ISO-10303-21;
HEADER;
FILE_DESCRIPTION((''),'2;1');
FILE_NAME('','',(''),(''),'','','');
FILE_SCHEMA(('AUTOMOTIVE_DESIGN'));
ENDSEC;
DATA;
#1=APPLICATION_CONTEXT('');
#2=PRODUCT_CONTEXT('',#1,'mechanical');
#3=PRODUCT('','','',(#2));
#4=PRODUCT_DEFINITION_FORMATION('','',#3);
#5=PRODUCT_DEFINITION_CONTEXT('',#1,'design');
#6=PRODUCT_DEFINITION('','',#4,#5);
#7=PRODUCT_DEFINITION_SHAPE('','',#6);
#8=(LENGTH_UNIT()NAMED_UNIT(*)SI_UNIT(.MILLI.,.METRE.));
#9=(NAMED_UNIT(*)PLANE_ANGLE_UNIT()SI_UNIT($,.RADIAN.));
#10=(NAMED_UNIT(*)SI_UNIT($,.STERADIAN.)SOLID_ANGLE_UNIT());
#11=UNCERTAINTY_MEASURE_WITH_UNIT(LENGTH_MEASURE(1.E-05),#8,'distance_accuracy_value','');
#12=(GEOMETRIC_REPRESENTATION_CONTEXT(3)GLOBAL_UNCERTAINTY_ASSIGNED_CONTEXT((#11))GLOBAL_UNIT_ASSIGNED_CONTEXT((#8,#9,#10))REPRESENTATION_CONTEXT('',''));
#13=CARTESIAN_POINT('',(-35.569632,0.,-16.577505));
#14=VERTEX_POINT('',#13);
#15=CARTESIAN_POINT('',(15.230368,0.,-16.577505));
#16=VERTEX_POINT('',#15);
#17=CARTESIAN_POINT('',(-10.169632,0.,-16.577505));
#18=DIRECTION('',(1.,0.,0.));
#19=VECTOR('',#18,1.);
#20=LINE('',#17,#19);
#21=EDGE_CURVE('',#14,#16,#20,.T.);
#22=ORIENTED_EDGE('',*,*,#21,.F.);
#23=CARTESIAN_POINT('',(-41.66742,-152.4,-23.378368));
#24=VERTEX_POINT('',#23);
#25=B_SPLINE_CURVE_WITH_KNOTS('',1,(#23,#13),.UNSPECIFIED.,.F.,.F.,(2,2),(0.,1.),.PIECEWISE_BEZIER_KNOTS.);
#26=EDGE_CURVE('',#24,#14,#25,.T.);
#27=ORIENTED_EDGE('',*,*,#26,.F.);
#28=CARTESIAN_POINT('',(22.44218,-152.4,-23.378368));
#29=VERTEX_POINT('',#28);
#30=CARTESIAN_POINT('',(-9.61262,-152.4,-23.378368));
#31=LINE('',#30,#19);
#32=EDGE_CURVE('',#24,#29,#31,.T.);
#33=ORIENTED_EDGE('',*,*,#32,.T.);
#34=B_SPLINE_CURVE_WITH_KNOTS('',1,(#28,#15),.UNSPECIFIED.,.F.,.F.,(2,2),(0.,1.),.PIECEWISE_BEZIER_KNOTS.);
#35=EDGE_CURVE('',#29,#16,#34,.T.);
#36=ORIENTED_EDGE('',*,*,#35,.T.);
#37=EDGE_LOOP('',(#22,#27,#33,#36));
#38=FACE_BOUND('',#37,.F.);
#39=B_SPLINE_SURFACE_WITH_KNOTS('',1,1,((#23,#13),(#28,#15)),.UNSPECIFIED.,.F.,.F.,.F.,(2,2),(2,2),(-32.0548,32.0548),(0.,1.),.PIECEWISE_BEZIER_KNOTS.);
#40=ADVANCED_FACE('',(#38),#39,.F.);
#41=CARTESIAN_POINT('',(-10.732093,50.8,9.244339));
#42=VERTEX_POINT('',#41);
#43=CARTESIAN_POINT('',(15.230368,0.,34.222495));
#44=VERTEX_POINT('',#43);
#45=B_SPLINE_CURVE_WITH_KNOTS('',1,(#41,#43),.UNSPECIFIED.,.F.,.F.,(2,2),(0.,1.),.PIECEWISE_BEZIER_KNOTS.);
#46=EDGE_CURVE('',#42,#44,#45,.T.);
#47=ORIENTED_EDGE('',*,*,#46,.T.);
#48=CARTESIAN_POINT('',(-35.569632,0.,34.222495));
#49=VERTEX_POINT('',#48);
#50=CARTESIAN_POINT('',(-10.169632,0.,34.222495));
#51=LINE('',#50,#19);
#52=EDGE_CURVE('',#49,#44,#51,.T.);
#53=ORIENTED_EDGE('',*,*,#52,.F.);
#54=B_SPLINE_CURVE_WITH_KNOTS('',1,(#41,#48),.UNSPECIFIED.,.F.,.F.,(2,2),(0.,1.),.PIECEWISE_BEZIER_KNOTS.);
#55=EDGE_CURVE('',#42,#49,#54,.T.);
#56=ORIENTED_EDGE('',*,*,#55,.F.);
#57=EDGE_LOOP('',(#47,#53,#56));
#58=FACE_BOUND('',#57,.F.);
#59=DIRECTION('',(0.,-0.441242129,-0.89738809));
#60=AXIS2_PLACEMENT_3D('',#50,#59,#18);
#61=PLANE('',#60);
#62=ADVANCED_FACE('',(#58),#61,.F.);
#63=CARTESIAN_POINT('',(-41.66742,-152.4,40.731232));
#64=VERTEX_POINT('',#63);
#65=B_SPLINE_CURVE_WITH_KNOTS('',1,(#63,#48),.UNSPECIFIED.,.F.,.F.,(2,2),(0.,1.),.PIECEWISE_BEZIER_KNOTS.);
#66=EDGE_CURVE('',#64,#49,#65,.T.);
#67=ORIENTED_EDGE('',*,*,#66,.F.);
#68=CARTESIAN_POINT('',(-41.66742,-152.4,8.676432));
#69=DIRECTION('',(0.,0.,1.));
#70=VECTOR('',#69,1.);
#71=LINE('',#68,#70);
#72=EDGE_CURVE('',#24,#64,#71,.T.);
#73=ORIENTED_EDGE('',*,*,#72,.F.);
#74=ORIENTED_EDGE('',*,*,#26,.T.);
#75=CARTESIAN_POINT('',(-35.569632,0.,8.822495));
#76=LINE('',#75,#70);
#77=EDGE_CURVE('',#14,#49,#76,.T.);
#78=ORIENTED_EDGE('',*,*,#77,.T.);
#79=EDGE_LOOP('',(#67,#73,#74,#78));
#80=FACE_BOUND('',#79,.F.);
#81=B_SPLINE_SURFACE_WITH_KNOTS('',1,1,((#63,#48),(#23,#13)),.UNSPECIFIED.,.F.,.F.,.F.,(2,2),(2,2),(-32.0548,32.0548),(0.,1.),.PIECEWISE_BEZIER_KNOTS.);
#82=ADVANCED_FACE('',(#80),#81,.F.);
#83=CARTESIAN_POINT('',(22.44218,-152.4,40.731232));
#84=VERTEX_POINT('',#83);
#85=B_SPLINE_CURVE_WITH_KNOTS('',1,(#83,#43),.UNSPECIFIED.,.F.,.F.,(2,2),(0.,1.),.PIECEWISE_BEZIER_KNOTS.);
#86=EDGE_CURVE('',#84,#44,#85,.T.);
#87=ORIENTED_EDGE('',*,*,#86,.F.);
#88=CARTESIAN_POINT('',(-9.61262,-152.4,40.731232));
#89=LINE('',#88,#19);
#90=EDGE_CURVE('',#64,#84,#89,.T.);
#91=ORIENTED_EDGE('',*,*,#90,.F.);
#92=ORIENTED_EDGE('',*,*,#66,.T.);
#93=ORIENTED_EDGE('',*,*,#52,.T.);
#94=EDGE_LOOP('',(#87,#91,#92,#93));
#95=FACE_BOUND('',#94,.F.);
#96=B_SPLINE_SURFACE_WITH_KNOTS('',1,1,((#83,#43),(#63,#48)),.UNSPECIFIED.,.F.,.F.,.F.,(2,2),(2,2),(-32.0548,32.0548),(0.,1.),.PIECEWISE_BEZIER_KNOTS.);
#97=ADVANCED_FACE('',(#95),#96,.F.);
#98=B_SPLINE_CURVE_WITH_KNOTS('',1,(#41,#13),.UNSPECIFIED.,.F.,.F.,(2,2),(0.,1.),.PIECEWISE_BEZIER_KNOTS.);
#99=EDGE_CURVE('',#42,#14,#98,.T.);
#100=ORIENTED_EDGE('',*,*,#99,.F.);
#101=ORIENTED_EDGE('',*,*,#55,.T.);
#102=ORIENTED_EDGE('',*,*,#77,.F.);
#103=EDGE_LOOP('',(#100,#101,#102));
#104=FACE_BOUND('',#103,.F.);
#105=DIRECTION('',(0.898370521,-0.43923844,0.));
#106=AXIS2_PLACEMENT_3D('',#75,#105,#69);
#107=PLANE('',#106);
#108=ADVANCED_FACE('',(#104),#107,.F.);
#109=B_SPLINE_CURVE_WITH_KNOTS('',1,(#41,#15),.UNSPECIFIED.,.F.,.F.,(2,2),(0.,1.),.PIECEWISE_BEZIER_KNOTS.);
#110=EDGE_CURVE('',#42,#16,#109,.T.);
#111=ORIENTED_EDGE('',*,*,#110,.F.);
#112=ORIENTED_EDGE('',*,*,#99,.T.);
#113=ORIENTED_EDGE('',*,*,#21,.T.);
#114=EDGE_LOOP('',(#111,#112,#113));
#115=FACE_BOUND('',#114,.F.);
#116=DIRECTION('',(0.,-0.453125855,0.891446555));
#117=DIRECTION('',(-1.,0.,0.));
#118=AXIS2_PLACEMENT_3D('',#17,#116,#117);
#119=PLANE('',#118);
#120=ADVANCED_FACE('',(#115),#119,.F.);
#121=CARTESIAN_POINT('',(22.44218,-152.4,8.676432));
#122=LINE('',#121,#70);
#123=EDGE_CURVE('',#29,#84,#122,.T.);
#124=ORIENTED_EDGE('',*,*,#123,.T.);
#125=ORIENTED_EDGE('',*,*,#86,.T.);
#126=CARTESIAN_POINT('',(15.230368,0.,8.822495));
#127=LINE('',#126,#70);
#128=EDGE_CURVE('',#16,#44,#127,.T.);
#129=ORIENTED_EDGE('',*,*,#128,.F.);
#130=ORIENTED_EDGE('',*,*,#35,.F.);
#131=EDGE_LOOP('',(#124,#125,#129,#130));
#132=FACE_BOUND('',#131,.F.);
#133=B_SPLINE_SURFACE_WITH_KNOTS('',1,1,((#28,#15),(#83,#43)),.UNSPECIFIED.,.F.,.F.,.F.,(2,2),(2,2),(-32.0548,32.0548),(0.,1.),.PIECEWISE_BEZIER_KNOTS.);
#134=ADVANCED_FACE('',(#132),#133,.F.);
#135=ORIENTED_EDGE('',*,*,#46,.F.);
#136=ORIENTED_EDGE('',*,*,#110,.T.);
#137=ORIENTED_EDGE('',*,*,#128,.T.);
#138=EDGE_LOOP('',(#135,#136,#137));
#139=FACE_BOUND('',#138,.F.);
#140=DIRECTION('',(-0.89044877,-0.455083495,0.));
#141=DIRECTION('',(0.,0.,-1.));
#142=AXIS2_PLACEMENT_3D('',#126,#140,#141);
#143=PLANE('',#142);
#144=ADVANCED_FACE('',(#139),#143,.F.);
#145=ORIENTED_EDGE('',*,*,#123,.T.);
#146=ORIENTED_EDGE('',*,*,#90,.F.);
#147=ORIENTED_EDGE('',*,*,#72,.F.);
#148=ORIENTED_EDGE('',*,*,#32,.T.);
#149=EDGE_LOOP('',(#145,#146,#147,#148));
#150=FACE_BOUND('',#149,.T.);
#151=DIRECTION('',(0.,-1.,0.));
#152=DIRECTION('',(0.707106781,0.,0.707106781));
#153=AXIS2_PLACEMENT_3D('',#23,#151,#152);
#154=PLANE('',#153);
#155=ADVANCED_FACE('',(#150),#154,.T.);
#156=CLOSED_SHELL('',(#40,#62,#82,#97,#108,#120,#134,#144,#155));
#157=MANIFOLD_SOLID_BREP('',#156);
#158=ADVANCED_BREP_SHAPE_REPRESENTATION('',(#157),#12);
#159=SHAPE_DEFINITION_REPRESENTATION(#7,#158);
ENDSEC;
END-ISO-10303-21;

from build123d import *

# Parameters (mm, degrees)
F2_W      = 64.1096
F2_H      = 64.1096
F0_W      = 50.8
F0_H      = 50.8
F3_FACE_W = 50.8
F3_FACE_H = 50.8


with BuildPart() as f3:
    # F2 (on offset) → F3 section 0
    with BuildSketch(Plane.XZ.offset(152.4)):
        with Locations((-9.6126204171, 8.6764315329)):
            Rectangle(F2_W, F2_H)
    # F0 (on Front) → F3 section 1
    with BuildSketch(Plane.XZ):
        with Locations((-10.1696318015, 8.8224951074)):
            Rectangle(F0_W, F0_H)
    loft()

    # F3_face (on face) → F6 section 0
    with BuildSketch(Plane(origin=(-10.1696318015, 0, 8.8224951074), x_dir=(-1, 0, 0), z_dir=(0, 1, 0)), mode=Mode.PRIVATE) as f6_s0:
        Rectangle(F3_FACE_W, F3_FACE_H)
    loft([Vertex(-10.7320928946, 50.8, 9.2443386093), f6_s0.sketch])


solid = f3.part
